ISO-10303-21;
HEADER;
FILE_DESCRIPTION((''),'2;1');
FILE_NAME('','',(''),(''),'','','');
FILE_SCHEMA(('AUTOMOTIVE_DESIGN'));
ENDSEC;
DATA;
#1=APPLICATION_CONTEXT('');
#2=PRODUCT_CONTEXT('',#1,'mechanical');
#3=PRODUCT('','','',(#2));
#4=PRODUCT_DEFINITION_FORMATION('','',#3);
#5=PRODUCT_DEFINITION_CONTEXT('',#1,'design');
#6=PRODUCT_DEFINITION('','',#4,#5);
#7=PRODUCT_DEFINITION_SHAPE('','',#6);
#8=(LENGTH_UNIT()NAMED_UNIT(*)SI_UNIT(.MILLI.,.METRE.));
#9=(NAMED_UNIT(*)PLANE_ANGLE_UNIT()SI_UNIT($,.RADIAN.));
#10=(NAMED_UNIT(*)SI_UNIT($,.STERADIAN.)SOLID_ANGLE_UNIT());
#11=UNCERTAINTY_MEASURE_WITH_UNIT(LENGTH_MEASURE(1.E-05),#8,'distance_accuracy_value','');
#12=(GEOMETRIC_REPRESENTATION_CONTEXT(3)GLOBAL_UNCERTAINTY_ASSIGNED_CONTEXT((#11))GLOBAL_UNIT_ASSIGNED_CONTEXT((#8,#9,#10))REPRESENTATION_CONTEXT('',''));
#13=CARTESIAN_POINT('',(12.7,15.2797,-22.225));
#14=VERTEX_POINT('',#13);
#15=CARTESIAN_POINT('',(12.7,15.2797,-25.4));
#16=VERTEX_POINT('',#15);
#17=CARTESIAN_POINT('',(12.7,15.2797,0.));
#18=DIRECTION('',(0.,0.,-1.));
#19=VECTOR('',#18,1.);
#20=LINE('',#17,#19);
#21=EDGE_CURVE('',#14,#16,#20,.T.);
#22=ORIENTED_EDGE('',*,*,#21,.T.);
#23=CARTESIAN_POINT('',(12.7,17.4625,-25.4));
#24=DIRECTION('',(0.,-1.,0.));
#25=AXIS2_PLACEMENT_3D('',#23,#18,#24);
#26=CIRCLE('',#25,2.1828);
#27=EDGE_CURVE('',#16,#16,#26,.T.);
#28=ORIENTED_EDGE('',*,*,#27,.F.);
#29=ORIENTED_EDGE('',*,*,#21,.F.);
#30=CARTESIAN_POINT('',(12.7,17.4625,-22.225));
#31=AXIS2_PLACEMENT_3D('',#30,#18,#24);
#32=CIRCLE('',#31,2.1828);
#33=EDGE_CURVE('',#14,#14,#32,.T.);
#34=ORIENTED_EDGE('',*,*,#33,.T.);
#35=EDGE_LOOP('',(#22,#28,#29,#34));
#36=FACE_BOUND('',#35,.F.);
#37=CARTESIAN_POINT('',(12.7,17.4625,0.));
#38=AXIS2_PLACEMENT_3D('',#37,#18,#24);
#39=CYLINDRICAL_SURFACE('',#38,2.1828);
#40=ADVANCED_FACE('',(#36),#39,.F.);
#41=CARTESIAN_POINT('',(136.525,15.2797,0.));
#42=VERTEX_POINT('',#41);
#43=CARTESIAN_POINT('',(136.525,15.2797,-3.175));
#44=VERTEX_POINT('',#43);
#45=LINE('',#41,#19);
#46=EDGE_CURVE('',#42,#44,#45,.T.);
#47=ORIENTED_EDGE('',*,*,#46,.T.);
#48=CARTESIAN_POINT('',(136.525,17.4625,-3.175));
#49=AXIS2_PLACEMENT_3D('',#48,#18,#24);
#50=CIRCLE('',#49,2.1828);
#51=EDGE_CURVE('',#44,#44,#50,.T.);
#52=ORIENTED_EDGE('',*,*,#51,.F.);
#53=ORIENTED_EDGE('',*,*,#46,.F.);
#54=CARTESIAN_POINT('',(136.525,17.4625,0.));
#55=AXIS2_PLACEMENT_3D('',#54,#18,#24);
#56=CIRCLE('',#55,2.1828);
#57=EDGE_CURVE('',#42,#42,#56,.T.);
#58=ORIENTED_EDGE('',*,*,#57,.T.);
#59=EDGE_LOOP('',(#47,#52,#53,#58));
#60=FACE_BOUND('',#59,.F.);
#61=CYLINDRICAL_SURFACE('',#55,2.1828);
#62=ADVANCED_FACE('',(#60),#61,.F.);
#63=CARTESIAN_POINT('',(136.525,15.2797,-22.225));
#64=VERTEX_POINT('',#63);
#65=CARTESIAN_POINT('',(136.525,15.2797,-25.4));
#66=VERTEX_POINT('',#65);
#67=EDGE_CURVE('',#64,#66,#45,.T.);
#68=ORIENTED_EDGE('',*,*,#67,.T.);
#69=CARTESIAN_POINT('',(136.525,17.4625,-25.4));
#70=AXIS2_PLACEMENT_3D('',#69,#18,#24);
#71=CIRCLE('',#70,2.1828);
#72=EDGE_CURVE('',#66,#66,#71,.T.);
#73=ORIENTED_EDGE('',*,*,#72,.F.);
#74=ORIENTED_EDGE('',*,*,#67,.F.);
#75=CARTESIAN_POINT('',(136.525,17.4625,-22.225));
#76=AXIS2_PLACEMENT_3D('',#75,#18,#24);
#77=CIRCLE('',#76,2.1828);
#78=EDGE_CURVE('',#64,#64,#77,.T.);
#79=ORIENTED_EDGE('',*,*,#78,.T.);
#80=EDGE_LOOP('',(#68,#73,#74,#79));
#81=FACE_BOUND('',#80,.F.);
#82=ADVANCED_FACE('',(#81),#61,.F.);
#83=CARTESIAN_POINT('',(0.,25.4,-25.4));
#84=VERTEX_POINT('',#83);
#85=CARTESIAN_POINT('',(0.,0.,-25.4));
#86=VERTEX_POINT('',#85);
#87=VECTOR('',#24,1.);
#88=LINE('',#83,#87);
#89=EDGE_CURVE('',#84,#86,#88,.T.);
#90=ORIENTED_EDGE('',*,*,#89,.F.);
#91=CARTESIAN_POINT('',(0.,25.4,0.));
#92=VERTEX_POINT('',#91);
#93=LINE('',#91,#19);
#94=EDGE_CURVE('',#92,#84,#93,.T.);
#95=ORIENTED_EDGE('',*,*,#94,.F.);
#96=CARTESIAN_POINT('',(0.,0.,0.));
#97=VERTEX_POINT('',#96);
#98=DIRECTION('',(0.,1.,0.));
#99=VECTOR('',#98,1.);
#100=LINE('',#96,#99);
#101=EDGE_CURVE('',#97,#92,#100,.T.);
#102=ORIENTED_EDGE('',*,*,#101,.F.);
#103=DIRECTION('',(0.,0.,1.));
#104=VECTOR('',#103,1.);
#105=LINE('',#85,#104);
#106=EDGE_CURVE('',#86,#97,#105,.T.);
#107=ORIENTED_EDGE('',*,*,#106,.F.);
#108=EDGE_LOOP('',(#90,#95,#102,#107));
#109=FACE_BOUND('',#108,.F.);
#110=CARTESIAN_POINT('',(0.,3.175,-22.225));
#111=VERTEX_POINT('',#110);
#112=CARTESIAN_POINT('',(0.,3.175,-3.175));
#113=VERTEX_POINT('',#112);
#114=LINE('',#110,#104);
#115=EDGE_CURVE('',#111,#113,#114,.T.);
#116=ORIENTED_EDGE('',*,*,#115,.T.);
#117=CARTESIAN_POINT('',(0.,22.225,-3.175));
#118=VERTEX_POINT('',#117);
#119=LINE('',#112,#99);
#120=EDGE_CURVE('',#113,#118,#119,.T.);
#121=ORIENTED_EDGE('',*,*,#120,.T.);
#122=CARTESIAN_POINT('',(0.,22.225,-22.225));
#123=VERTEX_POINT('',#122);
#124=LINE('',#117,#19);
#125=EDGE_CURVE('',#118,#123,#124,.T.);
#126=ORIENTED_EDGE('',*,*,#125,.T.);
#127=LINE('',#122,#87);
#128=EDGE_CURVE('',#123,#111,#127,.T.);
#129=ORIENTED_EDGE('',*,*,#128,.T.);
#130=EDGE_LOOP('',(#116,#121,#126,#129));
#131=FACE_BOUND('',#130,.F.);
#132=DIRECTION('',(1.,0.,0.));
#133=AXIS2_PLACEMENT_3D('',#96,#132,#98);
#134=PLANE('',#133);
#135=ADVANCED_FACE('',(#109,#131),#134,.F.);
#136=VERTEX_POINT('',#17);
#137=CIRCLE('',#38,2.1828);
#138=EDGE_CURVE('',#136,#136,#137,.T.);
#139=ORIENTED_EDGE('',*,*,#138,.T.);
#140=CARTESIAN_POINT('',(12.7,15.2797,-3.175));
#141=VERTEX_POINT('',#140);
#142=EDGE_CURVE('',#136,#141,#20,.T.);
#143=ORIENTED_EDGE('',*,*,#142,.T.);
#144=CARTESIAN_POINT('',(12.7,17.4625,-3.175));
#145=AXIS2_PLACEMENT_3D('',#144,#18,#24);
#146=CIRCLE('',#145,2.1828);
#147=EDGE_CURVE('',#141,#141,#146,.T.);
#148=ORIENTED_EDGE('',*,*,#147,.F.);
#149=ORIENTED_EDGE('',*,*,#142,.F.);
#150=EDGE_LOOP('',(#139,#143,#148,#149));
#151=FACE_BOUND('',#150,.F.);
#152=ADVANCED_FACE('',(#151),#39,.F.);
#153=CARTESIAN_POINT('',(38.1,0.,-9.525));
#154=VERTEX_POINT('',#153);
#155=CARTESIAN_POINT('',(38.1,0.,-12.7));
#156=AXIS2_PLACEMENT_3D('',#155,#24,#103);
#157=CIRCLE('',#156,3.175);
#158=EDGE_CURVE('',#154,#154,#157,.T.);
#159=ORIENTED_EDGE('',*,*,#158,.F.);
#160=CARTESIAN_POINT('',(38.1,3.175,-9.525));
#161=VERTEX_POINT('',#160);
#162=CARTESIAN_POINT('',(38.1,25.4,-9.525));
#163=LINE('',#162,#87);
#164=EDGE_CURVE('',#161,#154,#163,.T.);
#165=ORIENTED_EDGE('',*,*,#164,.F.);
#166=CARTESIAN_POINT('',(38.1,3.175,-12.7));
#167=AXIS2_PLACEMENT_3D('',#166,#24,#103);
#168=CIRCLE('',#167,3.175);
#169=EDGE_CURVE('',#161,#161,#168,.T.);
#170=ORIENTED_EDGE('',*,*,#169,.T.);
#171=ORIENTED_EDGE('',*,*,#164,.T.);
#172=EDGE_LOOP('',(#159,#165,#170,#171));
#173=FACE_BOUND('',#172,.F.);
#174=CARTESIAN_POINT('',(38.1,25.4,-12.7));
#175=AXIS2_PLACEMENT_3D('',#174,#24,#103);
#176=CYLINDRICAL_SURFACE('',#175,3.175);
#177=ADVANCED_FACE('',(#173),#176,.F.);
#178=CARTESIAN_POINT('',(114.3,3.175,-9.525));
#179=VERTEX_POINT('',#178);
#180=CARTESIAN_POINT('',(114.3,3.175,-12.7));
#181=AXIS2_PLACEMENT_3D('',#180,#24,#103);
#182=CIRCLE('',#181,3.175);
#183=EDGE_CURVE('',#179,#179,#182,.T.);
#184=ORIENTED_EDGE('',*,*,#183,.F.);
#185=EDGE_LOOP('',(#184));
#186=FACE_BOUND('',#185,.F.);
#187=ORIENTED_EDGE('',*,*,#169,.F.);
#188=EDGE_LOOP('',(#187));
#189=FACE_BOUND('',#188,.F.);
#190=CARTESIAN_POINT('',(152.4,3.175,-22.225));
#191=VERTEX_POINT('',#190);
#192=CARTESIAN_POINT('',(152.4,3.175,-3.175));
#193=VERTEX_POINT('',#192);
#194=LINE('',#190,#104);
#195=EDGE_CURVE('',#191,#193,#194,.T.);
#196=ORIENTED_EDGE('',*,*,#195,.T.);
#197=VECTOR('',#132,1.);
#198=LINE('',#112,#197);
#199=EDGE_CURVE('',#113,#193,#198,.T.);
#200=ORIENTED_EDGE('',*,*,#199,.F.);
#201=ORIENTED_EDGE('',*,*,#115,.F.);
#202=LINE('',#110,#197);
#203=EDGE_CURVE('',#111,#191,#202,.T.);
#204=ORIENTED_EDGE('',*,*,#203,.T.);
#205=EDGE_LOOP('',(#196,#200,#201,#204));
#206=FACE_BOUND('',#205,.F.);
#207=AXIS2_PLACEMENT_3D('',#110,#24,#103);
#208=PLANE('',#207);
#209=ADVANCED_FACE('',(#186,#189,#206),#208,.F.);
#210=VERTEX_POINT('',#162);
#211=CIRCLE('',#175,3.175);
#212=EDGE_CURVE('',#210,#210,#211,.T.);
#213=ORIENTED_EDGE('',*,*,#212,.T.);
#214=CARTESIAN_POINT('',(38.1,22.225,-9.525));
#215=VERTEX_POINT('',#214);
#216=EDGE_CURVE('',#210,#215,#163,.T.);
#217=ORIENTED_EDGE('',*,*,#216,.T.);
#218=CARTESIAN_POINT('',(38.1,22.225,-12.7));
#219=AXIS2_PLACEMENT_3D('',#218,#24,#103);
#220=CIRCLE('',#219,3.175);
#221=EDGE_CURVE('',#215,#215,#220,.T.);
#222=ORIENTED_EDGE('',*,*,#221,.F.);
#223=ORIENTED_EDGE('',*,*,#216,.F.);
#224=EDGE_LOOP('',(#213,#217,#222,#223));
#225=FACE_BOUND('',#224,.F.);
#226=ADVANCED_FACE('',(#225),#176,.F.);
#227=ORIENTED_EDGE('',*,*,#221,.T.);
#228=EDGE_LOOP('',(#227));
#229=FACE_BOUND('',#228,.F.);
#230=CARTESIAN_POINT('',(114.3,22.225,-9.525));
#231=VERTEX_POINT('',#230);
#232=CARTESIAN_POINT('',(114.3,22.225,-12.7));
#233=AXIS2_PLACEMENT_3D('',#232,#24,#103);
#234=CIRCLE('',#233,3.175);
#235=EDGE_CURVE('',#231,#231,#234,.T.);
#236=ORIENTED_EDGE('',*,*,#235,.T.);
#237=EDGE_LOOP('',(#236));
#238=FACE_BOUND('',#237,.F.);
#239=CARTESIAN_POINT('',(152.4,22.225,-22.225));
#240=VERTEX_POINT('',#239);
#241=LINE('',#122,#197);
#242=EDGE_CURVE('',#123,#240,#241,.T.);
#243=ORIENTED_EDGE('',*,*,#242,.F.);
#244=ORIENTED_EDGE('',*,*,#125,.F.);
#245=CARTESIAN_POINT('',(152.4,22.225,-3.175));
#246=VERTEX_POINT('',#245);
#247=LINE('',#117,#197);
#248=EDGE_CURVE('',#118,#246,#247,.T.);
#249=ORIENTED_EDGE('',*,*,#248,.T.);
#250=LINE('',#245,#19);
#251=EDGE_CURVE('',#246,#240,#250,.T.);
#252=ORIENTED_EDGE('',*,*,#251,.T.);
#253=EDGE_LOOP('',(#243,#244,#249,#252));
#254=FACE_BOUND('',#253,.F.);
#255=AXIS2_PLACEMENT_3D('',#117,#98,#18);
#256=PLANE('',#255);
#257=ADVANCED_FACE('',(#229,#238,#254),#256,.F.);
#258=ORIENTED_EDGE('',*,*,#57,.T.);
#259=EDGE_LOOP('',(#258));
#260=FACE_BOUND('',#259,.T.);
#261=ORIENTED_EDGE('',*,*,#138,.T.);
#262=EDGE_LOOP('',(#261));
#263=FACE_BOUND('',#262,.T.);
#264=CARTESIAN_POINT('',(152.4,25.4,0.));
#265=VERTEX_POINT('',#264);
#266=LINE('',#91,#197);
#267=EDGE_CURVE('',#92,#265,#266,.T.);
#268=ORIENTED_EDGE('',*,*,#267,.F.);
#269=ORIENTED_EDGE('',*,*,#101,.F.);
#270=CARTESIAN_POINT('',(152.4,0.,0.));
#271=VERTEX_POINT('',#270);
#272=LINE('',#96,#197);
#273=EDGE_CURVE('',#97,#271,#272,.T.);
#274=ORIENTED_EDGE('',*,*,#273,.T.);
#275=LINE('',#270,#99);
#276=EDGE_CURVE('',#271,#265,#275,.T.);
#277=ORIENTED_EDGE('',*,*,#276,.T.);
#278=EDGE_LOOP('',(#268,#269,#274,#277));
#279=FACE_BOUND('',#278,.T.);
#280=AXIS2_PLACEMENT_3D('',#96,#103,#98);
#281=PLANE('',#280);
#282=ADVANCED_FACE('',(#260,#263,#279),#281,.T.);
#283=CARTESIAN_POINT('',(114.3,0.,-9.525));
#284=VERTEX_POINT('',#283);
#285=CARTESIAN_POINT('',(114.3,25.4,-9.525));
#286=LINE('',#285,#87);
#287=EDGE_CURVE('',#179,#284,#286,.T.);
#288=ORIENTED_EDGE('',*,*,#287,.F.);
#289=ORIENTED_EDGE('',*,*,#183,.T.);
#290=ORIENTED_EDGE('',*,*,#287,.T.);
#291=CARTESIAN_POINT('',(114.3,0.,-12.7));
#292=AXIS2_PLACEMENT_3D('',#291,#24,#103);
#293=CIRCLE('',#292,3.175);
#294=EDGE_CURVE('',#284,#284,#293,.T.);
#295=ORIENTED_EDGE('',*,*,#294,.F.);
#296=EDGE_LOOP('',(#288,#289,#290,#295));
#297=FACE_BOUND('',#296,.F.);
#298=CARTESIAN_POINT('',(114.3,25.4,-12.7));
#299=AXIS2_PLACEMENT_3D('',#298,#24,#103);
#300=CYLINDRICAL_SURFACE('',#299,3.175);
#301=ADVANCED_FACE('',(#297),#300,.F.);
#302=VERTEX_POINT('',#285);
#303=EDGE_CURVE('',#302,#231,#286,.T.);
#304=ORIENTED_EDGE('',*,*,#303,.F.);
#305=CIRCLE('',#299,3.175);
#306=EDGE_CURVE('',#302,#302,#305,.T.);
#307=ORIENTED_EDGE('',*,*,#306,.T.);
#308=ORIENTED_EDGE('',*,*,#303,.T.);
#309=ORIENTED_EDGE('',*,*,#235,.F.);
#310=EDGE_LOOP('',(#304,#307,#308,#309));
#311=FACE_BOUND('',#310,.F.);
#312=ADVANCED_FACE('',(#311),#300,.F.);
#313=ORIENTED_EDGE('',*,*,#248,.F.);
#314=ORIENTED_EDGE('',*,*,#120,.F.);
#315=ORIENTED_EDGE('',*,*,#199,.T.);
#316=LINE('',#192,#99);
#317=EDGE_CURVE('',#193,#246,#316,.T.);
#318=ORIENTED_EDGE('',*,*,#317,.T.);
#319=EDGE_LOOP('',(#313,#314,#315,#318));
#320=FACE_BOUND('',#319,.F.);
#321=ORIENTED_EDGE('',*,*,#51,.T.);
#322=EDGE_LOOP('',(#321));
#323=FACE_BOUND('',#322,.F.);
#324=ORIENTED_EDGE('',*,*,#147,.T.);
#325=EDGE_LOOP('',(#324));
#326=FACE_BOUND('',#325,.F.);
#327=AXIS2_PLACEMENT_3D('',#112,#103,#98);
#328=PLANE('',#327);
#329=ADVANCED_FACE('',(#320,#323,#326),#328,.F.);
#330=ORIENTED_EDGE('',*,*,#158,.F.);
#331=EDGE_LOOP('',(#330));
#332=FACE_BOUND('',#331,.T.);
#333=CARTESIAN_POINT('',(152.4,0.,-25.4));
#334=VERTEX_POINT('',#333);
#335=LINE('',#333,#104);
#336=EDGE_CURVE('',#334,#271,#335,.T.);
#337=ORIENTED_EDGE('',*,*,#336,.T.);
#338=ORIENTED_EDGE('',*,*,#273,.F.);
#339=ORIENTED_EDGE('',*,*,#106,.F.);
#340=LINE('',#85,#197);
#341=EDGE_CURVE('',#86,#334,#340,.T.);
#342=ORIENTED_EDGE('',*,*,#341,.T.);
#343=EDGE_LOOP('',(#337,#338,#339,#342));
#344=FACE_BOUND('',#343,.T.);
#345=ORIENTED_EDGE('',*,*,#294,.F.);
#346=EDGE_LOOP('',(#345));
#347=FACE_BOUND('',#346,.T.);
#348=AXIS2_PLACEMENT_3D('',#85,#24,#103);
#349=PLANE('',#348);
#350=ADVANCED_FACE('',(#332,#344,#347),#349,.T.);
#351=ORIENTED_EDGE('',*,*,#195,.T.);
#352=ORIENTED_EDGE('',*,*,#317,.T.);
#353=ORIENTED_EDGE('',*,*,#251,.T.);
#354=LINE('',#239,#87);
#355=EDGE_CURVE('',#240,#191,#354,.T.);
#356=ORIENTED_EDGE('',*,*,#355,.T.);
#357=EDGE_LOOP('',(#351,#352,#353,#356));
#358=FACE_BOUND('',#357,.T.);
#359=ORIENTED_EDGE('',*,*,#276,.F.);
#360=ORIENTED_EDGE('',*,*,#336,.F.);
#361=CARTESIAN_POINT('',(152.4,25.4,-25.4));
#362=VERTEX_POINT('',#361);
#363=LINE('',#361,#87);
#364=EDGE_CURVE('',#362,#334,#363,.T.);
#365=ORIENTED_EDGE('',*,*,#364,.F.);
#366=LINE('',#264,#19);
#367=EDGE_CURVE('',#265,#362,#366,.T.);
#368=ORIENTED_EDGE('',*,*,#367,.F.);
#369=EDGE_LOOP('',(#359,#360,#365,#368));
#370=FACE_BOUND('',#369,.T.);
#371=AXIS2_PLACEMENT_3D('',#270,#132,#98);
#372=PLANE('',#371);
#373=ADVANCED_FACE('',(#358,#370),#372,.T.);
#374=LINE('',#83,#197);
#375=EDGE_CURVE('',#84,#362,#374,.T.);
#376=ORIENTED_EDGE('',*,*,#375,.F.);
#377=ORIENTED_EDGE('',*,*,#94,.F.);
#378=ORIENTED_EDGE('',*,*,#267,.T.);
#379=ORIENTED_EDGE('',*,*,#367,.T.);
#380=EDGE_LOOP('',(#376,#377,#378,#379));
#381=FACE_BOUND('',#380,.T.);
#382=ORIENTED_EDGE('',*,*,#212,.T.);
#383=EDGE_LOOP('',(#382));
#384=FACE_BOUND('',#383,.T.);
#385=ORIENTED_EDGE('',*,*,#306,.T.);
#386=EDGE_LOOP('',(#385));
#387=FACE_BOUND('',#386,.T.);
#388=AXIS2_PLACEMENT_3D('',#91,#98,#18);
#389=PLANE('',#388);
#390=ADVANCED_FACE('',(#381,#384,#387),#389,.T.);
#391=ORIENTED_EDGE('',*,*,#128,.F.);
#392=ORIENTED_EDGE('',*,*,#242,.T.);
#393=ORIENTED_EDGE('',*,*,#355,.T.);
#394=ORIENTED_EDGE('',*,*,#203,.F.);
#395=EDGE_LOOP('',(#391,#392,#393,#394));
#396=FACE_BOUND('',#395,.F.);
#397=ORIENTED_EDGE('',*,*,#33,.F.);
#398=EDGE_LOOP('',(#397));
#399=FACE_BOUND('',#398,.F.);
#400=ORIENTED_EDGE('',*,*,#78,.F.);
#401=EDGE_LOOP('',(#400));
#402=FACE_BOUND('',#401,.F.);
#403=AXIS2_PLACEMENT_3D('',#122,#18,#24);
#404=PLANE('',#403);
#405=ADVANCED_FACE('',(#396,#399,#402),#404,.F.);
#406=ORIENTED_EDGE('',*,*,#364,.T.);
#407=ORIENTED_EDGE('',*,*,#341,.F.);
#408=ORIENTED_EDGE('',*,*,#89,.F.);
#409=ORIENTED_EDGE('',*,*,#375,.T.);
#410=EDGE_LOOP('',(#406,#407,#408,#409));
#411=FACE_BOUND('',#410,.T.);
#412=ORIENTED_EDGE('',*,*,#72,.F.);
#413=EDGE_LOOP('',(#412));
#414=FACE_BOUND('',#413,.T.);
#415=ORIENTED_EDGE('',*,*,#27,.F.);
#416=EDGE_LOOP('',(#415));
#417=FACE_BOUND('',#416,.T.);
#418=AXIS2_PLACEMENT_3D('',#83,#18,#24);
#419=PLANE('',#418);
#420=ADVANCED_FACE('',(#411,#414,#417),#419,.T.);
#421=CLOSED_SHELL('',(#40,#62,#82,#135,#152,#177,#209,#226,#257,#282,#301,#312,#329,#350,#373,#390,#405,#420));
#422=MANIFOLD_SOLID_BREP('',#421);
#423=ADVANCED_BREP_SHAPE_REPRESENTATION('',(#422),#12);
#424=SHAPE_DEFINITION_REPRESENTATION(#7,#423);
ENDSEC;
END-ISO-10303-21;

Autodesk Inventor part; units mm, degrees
ref_plane "YZ Plane" through (0, 0, 0) normal (1, 0, 0) x (0, 1, 0)
ref_plane "XZ Plane" through (0, 0, 0) normal (0, 1, 0) x (-1, 0, 0)
ref_plane "XY Plane" through (0, 0, 0) normal (0, 0, 1) x (1, 0, 0)
sketch "Sketch1" plane through (0, 0, 0) normal (1, 0, 0) x (0, 1, 0)
  line L0 (0, 0) -> (25.4, 0)
  line L1 (25.4, 0) -> (25.4, -25.4)
  line L2 (25.4, -25.4) -> (0, -25.4)
  line L3 (0, -25.4) -> (0, 0)
  line L4 (3.175, -3.175) -> (22.225, -3.175)
  line L5 (22.225, -3.175) -> (22.225, -22.225)
  line L6 (22.225, -22.225) -> (3.175, -22.225)
  line L7 (3.175, -22.225) -> (3.175, -3.175)
  dimension "d0" = 25.4
  dimension "d1" = 25.4
  dimension "d2" = 19.05
  dimension "d3" = 19.05
  dimension "d4" = 3.175
  dimension "d5" = 3.175
extrude "Extrusion1" add sketch "Sketch1" along normal blind 152.4
sketch "Sketch2" plane through (0, 25.4, 0) normal (0, 1, 0) x (1, 0, 0)
  line L0 (0, 0) -> (0, 25.4) projected
  line L1 (0, 0) -> (152.4, 0) projected
  line L2 (152.4, 25.4) -> (152.4, 0) projected
  point P0 (38.1, 12.7)
  point P1 (114.3, 12.7)
  dimension "d8" = 38.1
  dimension "d9" = 12.7
  dimension "d10" = 12.7
  dimension "d11" = 38.1
hole "Hole1" at (38.1, 25.4, -12.7) at (114.3, 25.4, -12.7) direction (0, -1, 0) diameter 6.35 end through all
sketch "Sketch3" plane through (0, 0, 0) normal (0, 0, 1) x (1, 0, 0)
  line L0 (0, 0) -> (0, 25.4) projected
  line L1 (0, 0) -> (152.4, 0) projected
  line L2 (152.4, 25.4) -> (152.4, 0) projected
  point P0 (12.7, 17.4625)
  point P1 (136.525, 17.4625)
  dimension "d19" = 15.875
  dimension "d20" = 17.4625
  dimension "d21" = 12.7
  dimension "d22" = 17.4625
hole "Hole2" at (12.7, 17.4625, 0) at (136.525, 17.4625, 0) direction (0, 0, -1) diameter 4.3656 end through all
properties part number "1x1 pickup arm support" material "Aluminum 6061"
